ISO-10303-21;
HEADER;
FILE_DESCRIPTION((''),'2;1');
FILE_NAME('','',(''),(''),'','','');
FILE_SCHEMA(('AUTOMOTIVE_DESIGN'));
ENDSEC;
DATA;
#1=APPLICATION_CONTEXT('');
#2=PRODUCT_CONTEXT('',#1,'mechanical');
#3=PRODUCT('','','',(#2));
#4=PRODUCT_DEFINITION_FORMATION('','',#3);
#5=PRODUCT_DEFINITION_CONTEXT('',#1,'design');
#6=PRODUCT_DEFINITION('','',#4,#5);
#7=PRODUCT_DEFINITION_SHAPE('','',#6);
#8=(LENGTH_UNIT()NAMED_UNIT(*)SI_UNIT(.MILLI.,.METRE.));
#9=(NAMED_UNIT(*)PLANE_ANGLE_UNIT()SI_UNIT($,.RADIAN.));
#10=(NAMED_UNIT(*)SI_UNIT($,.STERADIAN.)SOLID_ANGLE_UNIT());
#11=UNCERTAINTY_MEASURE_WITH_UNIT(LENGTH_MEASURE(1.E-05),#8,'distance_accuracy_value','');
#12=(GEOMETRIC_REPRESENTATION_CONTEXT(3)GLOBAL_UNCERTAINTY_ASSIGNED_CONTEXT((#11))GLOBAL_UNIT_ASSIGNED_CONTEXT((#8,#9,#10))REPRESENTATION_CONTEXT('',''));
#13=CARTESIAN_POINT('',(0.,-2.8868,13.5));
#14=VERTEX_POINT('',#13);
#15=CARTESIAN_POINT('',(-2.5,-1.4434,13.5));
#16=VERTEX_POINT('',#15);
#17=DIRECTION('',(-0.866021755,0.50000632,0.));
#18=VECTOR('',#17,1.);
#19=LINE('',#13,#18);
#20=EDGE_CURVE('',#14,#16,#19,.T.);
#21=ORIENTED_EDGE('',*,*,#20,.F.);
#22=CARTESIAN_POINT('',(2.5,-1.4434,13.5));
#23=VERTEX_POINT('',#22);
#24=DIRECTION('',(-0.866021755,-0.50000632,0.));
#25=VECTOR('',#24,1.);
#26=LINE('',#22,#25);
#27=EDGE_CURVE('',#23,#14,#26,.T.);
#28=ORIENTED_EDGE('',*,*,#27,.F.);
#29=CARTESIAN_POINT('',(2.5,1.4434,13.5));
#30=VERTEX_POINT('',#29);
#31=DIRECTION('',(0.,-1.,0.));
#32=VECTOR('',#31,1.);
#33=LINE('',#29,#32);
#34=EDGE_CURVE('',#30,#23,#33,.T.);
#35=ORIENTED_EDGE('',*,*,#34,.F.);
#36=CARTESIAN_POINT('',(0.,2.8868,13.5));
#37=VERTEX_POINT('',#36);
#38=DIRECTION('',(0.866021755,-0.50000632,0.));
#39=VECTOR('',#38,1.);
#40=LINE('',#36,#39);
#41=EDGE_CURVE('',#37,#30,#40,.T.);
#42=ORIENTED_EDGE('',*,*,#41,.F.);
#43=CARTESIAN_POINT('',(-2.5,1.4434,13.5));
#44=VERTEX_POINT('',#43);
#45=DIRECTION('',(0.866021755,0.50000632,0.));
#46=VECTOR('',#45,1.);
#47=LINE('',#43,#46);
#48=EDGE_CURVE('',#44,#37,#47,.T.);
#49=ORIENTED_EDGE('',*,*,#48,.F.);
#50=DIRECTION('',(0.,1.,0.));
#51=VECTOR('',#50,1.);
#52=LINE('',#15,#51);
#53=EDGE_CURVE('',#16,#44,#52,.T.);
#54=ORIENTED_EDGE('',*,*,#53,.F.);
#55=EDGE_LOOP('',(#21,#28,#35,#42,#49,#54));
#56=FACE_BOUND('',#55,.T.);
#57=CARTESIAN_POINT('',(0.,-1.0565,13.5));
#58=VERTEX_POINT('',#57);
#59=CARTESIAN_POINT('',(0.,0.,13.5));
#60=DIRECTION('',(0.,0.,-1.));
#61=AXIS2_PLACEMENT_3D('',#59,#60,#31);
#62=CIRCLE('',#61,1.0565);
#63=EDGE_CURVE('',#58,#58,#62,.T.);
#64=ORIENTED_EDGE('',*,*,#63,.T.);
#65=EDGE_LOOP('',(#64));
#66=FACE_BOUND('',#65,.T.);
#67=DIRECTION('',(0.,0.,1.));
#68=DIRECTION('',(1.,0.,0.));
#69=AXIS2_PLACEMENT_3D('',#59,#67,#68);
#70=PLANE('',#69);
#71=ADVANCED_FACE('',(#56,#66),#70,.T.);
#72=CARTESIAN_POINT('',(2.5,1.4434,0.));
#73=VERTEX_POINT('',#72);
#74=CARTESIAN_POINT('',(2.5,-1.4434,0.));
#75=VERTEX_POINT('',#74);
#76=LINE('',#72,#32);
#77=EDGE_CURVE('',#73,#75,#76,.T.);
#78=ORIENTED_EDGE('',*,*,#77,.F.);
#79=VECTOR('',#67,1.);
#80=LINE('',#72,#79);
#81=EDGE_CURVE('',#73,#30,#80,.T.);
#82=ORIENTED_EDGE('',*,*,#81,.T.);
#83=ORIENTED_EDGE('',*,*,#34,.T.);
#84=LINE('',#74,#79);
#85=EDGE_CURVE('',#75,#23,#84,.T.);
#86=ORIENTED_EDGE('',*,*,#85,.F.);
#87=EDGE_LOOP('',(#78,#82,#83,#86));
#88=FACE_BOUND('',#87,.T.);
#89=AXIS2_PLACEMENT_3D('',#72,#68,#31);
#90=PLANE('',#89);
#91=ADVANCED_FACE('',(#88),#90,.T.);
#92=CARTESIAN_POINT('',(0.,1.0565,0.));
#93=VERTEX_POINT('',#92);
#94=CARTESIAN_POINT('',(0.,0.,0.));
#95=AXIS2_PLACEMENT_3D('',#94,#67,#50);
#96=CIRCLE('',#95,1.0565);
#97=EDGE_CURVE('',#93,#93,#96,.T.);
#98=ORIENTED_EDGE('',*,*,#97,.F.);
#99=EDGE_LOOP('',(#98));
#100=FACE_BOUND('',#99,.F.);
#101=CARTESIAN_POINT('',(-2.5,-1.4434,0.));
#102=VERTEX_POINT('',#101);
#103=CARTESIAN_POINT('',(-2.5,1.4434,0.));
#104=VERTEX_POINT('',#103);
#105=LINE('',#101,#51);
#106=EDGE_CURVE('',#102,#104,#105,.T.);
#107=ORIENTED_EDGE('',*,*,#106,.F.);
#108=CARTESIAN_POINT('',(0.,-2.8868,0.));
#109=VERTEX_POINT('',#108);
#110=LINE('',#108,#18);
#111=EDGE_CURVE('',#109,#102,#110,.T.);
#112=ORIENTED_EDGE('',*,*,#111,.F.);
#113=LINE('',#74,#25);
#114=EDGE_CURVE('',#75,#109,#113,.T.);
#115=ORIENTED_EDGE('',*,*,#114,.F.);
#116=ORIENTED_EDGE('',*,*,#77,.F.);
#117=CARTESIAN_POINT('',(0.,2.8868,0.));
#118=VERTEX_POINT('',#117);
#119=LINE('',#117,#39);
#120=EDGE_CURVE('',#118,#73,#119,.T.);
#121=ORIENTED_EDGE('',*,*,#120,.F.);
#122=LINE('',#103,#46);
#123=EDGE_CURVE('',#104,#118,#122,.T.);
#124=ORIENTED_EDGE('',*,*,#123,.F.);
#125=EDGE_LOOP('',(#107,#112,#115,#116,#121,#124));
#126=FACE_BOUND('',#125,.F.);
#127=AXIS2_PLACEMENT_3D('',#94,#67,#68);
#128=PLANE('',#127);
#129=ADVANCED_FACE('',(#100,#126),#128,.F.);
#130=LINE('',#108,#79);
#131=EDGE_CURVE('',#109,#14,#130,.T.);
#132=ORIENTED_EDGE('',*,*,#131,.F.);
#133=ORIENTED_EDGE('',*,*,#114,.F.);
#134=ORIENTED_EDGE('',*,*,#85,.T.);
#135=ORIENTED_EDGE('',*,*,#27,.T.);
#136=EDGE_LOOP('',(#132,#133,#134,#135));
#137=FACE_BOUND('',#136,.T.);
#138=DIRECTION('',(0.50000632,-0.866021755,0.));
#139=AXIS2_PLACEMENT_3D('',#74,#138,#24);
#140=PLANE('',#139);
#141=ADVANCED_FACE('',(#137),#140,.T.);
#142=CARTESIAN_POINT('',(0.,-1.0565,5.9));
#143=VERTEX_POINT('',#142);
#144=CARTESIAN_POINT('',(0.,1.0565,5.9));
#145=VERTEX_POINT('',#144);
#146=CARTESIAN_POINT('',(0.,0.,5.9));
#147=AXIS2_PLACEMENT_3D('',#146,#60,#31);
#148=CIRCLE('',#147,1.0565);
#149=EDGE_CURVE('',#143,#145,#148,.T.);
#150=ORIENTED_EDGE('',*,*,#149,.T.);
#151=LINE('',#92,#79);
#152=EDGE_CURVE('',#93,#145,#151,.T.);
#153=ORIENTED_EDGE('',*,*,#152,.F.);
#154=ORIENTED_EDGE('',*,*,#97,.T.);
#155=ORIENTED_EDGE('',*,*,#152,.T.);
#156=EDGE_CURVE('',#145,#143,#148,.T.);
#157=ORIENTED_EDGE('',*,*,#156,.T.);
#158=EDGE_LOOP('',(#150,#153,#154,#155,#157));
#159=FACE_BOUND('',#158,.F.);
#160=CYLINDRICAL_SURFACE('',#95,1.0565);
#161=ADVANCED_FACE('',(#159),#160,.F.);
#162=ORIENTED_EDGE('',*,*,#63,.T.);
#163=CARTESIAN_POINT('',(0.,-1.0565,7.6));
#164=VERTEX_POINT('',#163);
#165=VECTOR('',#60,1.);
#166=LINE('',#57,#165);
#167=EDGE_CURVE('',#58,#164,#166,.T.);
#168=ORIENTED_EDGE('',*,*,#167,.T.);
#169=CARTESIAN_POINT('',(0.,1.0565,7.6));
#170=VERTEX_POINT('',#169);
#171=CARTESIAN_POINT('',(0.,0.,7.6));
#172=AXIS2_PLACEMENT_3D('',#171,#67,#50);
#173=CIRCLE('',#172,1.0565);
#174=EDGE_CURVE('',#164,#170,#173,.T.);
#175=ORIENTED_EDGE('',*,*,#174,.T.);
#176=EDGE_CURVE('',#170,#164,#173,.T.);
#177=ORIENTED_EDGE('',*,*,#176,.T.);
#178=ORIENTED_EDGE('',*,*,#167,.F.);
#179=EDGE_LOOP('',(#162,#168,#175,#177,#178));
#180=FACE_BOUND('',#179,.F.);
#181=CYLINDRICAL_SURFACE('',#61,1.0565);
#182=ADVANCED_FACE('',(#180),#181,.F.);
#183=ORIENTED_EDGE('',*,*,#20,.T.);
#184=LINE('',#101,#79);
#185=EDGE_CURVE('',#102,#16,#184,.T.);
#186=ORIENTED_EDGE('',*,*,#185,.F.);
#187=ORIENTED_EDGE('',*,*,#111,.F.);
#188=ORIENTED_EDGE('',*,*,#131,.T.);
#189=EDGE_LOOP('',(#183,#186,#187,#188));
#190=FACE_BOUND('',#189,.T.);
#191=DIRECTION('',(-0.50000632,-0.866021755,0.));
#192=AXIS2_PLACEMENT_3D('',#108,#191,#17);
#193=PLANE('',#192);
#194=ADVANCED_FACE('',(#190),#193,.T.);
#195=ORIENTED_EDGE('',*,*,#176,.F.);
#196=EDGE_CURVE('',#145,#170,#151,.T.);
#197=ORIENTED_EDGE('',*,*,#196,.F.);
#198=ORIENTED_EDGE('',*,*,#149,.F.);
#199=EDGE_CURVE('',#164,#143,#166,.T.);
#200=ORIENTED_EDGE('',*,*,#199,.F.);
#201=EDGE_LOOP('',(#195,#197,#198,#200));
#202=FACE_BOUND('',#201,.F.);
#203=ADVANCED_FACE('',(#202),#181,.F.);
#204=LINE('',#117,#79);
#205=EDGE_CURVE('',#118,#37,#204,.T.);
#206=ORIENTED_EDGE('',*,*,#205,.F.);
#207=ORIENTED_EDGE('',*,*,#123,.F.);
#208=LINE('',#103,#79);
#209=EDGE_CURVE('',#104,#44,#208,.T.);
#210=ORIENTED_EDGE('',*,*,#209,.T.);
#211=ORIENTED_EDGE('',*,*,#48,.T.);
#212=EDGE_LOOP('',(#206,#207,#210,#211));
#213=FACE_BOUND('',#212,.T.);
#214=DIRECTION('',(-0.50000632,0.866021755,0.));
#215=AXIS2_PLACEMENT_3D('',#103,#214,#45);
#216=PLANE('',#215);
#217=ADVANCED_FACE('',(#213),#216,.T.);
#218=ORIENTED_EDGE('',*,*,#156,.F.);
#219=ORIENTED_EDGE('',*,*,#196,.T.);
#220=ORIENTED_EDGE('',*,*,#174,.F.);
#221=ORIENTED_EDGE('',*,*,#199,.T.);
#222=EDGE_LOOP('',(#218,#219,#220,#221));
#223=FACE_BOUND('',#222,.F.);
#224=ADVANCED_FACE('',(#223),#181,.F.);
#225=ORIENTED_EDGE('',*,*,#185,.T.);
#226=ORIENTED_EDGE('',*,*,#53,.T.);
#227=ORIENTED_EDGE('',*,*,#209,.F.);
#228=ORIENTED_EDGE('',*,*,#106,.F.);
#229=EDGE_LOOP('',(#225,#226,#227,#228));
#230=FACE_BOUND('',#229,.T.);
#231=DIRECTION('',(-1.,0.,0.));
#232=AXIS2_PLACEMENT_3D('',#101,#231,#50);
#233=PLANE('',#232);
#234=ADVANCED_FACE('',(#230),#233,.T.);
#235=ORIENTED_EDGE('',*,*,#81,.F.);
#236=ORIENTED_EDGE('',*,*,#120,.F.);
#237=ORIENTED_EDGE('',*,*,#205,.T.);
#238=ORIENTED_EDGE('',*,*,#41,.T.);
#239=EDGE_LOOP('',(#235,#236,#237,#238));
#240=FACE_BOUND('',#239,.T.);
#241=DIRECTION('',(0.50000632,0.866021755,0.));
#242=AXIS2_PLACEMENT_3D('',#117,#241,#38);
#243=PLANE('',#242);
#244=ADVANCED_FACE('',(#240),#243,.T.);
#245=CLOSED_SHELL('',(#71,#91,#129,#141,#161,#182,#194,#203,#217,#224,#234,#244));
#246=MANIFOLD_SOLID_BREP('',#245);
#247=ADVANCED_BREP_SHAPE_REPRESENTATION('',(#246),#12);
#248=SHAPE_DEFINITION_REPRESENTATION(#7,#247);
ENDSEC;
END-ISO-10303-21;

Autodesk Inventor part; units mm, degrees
ref_plane "YZ Plane" through (0, 0, 0) normal (1, 0, 0) x (0, 1, 0)
ref_plane "XZ Plane" through (0, 0, 0) normal (0, 1, 0) x (-1, 0, 0)
ref_plane "XY Plane" through (0, 0, 0) normal (0, 0, 1) x (1, 0, 0)
sketch "スケッチ1" plane through (0, 0, 0) normal (0, 0, 1) x (1, 0, 0)
  line L0 (0, 2.8868) -> (2.5, 1.4434)
  line L1 (2.5, 1.4434) -> (2.5, -1.4434)
  line L2 (2.5, -1.4434) -> (0, -2.8868)
  line L3 (0, -2.8868) -> (-2.5, -1.4434)
  line L4 (-2.5, -1.4434) -> (-2.5, 1.4434)
  line L5 (-2.5, 1.4434) -> (0, 2.8868)
  point P0 (0, 0)
  point P1 (0, 0)
  dimension "d0" = 5
extrude "押し出し1" add sketch "スケッチ1" along normal blind 13.5
sketch "スケッチ2" plane through (0, 0, 13.5) normal (0, 0, 1) x (1, 0, 0)
  point P0 (0, 0)
hole "穴1" at (0, 0, 13.5) direction (0, 0, -1) diameter 2.113 depth 7.6 tip angle 118 thread size "M2.6x0.45" class "6H" standard "ISO Metric profile"
sketch "スケッチ3" plane through (0, 0, 0) normal (0, 0, -1) x (-1, 0, 0)
  point P0 (0, 0)
hole "穴2" at (0, 0, 0) direction (0, 0, 1) diameter 2.113 depth 7.6 tip angle 118 thread size "M2.6x0.45" class "6H" standard "ISO Metric profile"
properties part number "黄銅スペーサー（六角）_ASB-2613.5E" material "真鍮、ソフト イエロー"
